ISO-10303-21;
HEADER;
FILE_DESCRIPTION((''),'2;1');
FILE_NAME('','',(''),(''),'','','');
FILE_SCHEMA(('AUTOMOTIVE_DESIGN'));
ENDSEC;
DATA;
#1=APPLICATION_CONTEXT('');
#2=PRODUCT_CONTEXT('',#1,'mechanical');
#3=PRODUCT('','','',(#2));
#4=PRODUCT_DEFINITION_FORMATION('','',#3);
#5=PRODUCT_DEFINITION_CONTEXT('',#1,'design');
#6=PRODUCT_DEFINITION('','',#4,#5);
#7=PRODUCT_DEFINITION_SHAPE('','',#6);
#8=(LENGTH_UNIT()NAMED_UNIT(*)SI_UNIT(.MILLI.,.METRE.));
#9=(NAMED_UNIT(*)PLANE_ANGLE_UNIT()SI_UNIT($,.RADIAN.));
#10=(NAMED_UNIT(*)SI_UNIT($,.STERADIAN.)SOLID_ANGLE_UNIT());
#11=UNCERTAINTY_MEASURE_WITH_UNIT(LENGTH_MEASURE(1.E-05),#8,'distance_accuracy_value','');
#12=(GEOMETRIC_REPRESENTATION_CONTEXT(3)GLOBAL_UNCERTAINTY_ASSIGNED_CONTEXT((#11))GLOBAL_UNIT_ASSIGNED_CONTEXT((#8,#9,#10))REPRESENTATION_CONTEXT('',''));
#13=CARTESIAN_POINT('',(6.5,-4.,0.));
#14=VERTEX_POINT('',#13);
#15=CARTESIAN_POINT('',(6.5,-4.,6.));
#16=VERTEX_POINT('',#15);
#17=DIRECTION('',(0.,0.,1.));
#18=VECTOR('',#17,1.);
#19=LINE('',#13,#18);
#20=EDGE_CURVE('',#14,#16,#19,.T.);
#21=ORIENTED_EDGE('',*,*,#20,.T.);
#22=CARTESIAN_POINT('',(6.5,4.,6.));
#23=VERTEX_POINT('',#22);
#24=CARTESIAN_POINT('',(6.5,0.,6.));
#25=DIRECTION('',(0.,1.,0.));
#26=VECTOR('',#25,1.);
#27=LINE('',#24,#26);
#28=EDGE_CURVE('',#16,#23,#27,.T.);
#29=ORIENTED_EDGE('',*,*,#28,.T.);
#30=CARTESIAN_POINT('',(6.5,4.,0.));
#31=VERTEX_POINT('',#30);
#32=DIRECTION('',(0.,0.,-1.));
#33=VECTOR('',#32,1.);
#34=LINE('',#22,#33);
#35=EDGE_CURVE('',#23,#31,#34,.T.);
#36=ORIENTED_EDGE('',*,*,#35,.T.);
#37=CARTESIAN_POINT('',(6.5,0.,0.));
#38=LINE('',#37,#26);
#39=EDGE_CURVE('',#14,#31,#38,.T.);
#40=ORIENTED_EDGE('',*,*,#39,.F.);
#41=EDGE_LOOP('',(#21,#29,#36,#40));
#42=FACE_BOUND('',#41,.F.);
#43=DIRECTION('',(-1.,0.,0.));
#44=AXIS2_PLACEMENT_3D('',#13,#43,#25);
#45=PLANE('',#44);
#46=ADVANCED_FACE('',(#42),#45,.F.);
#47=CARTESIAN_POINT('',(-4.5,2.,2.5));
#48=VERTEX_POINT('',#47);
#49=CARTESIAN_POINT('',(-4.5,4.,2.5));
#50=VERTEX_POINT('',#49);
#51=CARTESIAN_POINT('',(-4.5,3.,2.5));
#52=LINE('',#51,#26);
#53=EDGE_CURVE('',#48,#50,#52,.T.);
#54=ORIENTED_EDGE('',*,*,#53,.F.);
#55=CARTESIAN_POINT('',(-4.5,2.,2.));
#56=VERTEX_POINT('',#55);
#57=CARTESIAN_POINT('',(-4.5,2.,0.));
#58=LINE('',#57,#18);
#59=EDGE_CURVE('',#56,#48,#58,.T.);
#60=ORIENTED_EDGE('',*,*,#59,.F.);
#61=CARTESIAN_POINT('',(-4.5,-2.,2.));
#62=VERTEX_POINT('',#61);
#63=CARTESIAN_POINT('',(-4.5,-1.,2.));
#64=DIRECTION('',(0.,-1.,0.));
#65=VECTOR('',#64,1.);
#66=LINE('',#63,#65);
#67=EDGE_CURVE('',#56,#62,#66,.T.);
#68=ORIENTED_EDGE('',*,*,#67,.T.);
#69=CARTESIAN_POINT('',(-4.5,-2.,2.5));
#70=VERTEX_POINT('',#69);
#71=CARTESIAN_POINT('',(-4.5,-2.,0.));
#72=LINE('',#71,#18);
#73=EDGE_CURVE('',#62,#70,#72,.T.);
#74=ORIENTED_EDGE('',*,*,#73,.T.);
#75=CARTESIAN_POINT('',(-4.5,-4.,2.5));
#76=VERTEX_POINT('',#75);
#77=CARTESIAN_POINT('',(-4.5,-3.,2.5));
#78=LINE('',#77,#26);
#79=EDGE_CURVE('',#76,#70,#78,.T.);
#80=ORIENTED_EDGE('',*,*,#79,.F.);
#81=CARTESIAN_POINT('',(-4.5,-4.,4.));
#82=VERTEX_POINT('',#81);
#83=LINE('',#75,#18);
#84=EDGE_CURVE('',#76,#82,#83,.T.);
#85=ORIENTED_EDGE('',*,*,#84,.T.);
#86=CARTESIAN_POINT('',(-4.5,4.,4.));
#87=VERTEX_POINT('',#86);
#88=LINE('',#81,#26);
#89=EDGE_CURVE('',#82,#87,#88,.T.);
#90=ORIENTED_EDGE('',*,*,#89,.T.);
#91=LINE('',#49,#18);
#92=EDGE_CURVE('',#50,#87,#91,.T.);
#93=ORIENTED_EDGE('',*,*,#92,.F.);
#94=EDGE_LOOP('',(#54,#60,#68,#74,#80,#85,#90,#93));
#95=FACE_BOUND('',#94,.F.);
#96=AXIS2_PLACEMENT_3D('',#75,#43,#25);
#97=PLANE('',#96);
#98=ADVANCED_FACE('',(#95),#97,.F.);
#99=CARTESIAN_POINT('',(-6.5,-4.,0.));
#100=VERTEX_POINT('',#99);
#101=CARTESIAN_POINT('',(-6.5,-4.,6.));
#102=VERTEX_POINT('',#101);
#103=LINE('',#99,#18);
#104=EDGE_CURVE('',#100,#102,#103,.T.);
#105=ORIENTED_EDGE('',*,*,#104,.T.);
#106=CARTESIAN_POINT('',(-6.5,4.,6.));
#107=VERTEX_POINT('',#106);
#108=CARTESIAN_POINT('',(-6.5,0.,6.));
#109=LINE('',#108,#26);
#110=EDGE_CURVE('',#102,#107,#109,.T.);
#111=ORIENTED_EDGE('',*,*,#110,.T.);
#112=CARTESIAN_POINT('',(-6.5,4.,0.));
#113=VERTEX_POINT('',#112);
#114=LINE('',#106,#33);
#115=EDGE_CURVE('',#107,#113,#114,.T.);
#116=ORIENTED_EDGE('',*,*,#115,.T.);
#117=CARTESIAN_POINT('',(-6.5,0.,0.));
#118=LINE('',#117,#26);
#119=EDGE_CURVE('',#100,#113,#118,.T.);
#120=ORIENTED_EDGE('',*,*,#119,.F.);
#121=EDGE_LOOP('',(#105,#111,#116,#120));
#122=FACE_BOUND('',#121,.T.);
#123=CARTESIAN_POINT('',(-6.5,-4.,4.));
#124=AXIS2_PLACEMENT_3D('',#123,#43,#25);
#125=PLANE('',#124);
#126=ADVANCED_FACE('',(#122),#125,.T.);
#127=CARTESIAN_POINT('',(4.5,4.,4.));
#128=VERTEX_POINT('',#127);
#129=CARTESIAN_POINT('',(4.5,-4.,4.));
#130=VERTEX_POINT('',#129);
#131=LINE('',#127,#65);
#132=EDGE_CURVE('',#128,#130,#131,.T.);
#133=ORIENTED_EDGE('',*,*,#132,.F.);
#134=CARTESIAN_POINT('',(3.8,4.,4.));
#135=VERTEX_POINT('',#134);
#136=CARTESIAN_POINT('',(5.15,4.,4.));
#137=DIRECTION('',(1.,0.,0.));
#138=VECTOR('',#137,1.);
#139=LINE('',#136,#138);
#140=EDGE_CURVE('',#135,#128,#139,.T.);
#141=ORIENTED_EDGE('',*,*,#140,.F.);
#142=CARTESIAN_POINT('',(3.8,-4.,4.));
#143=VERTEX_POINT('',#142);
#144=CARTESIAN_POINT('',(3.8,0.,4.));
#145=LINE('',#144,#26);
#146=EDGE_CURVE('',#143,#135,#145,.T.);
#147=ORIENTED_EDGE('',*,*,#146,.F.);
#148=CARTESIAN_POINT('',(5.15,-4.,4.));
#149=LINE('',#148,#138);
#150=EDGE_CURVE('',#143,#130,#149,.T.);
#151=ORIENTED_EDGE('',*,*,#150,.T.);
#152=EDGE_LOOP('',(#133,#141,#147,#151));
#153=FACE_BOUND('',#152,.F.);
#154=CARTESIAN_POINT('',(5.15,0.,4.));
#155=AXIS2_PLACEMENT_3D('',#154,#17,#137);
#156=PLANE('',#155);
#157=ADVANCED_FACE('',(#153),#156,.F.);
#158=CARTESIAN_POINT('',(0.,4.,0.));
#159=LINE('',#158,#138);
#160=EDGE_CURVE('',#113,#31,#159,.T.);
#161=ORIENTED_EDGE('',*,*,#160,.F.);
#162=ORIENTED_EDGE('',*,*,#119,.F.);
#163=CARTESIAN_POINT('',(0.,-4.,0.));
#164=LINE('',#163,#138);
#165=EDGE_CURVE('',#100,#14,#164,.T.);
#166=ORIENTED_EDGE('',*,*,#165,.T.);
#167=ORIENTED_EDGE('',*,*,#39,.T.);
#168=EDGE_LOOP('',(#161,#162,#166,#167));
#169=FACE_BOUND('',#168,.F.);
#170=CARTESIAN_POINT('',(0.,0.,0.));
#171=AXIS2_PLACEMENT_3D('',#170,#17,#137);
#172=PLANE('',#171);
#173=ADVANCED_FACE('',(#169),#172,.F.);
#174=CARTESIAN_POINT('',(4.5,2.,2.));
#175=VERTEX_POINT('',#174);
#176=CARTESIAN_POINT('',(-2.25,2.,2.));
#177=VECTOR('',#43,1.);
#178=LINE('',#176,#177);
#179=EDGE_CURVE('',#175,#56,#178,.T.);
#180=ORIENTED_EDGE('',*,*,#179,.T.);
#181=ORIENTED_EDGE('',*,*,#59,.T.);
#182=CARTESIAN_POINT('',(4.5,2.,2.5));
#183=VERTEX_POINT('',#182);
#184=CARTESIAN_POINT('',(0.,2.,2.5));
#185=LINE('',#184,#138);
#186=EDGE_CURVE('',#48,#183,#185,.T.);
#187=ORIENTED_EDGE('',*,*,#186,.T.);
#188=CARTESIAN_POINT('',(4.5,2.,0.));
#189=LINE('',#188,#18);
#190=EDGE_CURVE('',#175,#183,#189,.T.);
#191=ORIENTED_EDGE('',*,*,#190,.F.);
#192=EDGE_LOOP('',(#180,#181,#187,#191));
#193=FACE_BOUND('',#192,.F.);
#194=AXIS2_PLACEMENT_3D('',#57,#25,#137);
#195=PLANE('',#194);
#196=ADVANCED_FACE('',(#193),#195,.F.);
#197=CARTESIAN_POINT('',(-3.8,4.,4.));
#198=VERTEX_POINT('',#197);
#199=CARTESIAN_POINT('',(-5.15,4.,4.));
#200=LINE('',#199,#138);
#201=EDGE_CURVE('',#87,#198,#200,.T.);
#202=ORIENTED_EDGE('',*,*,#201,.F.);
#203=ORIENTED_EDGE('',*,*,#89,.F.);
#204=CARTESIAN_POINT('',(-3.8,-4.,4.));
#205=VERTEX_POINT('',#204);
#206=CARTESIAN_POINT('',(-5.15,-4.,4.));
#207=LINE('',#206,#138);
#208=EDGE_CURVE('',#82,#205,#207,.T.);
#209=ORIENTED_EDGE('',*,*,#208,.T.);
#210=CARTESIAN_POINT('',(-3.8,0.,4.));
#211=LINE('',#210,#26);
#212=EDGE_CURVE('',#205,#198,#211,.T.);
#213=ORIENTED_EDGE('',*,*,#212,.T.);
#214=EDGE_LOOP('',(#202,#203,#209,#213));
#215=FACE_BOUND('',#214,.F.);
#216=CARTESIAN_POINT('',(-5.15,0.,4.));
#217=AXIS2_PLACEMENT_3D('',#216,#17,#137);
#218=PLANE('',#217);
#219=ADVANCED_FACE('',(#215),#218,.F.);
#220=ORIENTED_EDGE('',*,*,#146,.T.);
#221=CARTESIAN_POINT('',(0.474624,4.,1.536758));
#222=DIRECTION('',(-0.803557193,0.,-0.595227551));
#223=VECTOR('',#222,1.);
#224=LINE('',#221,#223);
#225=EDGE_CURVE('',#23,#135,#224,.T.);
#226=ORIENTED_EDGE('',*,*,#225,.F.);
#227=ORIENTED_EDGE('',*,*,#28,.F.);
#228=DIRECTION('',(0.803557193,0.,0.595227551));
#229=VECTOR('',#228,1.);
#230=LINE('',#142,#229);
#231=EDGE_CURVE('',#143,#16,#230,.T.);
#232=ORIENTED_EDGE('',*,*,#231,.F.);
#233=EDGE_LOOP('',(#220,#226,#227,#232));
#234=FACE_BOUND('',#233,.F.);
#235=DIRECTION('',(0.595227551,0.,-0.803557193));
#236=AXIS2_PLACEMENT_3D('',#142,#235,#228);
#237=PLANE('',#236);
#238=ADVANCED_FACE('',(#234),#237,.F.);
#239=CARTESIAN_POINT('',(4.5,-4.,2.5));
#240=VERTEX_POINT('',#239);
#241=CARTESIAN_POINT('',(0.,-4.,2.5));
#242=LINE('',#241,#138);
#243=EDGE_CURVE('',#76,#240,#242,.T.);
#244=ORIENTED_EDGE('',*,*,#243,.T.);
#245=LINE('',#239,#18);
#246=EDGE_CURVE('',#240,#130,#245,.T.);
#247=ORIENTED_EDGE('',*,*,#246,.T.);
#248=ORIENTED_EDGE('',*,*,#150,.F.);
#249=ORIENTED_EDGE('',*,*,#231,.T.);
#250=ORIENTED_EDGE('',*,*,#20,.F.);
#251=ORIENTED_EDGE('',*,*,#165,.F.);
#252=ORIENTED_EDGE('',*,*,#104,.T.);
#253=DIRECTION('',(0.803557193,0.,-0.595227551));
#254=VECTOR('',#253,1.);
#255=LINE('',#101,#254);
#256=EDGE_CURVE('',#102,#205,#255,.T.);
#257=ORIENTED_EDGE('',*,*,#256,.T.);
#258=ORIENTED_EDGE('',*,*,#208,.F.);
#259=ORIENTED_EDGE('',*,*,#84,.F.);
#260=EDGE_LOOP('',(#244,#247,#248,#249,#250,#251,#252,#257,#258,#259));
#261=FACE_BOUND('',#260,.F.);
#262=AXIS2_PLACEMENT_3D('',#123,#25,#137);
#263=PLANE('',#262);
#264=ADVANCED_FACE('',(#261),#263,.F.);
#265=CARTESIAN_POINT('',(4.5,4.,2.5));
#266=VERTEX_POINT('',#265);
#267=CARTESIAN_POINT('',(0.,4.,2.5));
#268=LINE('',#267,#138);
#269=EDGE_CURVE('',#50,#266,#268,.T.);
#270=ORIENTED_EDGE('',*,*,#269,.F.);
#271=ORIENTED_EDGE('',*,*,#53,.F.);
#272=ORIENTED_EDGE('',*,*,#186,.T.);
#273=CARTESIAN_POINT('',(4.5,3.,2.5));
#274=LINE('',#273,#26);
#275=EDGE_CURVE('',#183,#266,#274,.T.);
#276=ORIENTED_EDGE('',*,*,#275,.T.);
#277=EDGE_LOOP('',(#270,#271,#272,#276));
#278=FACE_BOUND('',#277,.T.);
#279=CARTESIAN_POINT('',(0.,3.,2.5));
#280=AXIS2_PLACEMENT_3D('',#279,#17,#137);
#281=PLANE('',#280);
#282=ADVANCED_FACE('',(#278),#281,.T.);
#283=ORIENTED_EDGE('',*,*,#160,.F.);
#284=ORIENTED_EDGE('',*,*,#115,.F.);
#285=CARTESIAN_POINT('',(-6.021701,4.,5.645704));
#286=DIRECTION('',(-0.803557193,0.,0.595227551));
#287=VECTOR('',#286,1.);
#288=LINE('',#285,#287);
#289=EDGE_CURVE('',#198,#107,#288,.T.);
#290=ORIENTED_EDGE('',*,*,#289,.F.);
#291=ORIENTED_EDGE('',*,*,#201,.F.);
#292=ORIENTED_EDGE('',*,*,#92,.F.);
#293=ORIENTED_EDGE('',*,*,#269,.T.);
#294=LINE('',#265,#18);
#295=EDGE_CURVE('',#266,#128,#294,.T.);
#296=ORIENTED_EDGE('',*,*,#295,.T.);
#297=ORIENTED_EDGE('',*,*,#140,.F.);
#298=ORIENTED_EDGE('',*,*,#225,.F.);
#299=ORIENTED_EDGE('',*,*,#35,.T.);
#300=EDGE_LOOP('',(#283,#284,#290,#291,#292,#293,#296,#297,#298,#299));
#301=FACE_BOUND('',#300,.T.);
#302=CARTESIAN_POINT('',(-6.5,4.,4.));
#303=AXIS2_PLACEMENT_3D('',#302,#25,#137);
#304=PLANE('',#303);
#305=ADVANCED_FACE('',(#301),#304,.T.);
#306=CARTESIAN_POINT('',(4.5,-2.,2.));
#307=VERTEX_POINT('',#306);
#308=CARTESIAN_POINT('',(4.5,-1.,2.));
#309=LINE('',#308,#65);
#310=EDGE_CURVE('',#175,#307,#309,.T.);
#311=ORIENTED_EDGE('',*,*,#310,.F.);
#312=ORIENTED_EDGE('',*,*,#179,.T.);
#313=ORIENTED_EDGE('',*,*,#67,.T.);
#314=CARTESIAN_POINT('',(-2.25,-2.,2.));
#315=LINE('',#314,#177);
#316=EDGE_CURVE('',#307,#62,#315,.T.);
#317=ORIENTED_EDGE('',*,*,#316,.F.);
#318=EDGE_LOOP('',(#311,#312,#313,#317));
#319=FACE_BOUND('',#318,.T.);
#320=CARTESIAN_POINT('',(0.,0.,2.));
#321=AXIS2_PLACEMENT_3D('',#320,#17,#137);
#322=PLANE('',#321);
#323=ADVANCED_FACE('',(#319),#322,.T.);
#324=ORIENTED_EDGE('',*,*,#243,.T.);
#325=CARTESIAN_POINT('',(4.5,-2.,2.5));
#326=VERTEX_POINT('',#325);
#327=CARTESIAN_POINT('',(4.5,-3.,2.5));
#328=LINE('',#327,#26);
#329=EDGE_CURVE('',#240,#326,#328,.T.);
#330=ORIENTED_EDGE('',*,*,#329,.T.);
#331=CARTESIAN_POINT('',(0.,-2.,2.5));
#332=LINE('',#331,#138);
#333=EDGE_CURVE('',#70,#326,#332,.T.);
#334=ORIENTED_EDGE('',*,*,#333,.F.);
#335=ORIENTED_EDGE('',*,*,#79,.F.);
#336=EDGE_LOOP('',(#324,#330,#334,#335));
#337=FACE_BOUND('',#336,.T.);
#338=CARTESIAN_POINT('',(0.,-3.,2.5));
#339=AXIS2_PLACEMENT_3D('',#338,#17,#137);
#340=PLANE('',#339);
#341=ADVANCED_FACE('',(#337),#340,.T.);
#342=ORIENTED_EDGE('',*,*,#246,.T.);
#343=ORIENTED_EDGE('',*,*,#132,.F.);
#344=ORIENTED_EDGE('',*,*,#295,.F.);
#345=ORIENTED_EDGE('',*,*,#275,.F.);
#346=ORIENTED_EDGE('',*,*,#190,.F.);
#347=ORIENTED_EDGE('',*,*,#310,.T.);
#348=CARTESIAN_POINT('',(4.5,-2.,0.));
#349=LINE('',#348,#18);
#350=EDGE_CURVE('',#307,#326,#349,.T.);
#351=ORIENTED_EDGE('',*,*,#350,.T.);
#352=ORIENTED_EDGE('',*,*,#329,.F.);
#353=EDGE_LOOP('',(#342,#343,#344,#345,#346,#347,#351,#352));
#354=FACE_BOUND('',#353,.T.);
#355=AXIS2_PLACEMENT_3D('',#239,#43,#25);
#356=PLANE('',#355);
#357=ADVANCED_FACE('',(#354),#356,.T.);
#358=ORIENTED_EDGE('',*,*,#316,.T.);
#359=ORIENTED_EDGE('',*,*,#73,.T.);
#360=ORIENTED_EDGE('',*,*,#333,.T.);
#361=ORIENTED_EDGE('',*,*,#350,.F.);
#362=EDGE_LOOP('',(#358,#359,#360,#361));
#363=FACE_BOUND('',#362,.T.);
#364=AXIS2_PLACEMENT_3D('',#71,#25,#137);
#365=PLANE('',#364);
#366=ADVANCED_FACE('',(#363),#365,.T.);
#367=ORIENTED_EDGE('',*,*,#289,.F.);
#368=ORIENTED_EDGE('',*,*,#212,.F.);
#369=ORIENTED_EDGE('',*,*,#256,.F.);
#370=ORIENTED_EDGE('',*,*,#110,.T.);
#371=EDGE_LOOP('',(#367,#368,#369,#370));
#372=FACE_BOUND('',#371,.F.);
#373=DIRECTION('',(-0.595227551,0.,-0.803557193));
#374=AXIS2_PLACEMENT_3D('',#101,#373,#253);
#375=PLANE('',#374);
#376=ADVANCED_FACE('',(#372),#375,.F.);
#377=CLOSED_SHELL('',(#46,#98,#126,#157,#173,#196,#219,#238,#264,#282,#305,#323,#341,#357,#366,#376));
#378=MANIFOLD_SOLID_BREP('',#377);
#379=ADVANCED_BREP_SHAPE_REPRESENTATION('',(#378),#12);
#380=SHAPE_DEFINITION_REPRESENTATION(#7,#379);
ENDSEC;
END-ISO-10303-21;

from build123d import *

# Parameters (mm, degrees)
F0_W     = 13
F0_H     = 8
F3_DEPTH = 2
F1_W     = 13
F1_H     = 8
F1_W_2   = 9
F1_H_2   = 4
F4_DEPTH = 4
F5_START = 2.5
F2_W     = 9
F2_H     = 2
F5_DEPTH = 1.5
F6_W     = 2.7
F6_H     = 8
F7_DEPTH = 2
F9_DEPTH = 8.001


with BuildPart() as f3:
    # F0 (on Top) → F3 (new body)
    with BuildSketch(Plane.XY):
        Rectangle(F0_W, F0_H)
    extrude(amount=F3_DEPTH)

    # F1 (on Top) → F4 (join)
    with BuildSketch(Plane.XY):
        Rectangle(F1_W, F1_H)
        Rectangle(F1_W_2, F1_H_2, mode=Mode.SUBTRACT)
    extrude(amount=F4_DEPTH)

    # F2 (on Top) → F5 (cut)
    with BuildSketch(Plane.XY.offset(F5_START)):
        with Locations((0, 3)):
            Rectangle(F2_W, F2_H)
        with Locations((0, -3)):
            Rectangle(F2_W, F2_H)
    extrude(amount=F5_DEPTH, mode=Mode.SUBTRACT)

    # F6 (on face) → F7 (join)
    with BuildSketch(Plane.XY.offset(4)):
        with Locations((-5.15, 0)):
            Rectangle(F6_W, F6_H)
        with Locations((5.15, 0)):
            Rectangle(F6_W, F6_H)
    extrude(amount=F7_DEPTH)

    # F8 (on face) → F9 (cut, through all)
    with BuildSketch(Plane.XZ.offset(4)):
        Polygon((-3.8, 6), (-6.5, 6), (-3.8, 4), align=None)
        Polygon((3.8, 4), (6.5, 6), (3.8, 6), align=None)
    extrude(amount=-F9_DEPTH, mode=Mode.SUBTRACT)


solid = f3.part
